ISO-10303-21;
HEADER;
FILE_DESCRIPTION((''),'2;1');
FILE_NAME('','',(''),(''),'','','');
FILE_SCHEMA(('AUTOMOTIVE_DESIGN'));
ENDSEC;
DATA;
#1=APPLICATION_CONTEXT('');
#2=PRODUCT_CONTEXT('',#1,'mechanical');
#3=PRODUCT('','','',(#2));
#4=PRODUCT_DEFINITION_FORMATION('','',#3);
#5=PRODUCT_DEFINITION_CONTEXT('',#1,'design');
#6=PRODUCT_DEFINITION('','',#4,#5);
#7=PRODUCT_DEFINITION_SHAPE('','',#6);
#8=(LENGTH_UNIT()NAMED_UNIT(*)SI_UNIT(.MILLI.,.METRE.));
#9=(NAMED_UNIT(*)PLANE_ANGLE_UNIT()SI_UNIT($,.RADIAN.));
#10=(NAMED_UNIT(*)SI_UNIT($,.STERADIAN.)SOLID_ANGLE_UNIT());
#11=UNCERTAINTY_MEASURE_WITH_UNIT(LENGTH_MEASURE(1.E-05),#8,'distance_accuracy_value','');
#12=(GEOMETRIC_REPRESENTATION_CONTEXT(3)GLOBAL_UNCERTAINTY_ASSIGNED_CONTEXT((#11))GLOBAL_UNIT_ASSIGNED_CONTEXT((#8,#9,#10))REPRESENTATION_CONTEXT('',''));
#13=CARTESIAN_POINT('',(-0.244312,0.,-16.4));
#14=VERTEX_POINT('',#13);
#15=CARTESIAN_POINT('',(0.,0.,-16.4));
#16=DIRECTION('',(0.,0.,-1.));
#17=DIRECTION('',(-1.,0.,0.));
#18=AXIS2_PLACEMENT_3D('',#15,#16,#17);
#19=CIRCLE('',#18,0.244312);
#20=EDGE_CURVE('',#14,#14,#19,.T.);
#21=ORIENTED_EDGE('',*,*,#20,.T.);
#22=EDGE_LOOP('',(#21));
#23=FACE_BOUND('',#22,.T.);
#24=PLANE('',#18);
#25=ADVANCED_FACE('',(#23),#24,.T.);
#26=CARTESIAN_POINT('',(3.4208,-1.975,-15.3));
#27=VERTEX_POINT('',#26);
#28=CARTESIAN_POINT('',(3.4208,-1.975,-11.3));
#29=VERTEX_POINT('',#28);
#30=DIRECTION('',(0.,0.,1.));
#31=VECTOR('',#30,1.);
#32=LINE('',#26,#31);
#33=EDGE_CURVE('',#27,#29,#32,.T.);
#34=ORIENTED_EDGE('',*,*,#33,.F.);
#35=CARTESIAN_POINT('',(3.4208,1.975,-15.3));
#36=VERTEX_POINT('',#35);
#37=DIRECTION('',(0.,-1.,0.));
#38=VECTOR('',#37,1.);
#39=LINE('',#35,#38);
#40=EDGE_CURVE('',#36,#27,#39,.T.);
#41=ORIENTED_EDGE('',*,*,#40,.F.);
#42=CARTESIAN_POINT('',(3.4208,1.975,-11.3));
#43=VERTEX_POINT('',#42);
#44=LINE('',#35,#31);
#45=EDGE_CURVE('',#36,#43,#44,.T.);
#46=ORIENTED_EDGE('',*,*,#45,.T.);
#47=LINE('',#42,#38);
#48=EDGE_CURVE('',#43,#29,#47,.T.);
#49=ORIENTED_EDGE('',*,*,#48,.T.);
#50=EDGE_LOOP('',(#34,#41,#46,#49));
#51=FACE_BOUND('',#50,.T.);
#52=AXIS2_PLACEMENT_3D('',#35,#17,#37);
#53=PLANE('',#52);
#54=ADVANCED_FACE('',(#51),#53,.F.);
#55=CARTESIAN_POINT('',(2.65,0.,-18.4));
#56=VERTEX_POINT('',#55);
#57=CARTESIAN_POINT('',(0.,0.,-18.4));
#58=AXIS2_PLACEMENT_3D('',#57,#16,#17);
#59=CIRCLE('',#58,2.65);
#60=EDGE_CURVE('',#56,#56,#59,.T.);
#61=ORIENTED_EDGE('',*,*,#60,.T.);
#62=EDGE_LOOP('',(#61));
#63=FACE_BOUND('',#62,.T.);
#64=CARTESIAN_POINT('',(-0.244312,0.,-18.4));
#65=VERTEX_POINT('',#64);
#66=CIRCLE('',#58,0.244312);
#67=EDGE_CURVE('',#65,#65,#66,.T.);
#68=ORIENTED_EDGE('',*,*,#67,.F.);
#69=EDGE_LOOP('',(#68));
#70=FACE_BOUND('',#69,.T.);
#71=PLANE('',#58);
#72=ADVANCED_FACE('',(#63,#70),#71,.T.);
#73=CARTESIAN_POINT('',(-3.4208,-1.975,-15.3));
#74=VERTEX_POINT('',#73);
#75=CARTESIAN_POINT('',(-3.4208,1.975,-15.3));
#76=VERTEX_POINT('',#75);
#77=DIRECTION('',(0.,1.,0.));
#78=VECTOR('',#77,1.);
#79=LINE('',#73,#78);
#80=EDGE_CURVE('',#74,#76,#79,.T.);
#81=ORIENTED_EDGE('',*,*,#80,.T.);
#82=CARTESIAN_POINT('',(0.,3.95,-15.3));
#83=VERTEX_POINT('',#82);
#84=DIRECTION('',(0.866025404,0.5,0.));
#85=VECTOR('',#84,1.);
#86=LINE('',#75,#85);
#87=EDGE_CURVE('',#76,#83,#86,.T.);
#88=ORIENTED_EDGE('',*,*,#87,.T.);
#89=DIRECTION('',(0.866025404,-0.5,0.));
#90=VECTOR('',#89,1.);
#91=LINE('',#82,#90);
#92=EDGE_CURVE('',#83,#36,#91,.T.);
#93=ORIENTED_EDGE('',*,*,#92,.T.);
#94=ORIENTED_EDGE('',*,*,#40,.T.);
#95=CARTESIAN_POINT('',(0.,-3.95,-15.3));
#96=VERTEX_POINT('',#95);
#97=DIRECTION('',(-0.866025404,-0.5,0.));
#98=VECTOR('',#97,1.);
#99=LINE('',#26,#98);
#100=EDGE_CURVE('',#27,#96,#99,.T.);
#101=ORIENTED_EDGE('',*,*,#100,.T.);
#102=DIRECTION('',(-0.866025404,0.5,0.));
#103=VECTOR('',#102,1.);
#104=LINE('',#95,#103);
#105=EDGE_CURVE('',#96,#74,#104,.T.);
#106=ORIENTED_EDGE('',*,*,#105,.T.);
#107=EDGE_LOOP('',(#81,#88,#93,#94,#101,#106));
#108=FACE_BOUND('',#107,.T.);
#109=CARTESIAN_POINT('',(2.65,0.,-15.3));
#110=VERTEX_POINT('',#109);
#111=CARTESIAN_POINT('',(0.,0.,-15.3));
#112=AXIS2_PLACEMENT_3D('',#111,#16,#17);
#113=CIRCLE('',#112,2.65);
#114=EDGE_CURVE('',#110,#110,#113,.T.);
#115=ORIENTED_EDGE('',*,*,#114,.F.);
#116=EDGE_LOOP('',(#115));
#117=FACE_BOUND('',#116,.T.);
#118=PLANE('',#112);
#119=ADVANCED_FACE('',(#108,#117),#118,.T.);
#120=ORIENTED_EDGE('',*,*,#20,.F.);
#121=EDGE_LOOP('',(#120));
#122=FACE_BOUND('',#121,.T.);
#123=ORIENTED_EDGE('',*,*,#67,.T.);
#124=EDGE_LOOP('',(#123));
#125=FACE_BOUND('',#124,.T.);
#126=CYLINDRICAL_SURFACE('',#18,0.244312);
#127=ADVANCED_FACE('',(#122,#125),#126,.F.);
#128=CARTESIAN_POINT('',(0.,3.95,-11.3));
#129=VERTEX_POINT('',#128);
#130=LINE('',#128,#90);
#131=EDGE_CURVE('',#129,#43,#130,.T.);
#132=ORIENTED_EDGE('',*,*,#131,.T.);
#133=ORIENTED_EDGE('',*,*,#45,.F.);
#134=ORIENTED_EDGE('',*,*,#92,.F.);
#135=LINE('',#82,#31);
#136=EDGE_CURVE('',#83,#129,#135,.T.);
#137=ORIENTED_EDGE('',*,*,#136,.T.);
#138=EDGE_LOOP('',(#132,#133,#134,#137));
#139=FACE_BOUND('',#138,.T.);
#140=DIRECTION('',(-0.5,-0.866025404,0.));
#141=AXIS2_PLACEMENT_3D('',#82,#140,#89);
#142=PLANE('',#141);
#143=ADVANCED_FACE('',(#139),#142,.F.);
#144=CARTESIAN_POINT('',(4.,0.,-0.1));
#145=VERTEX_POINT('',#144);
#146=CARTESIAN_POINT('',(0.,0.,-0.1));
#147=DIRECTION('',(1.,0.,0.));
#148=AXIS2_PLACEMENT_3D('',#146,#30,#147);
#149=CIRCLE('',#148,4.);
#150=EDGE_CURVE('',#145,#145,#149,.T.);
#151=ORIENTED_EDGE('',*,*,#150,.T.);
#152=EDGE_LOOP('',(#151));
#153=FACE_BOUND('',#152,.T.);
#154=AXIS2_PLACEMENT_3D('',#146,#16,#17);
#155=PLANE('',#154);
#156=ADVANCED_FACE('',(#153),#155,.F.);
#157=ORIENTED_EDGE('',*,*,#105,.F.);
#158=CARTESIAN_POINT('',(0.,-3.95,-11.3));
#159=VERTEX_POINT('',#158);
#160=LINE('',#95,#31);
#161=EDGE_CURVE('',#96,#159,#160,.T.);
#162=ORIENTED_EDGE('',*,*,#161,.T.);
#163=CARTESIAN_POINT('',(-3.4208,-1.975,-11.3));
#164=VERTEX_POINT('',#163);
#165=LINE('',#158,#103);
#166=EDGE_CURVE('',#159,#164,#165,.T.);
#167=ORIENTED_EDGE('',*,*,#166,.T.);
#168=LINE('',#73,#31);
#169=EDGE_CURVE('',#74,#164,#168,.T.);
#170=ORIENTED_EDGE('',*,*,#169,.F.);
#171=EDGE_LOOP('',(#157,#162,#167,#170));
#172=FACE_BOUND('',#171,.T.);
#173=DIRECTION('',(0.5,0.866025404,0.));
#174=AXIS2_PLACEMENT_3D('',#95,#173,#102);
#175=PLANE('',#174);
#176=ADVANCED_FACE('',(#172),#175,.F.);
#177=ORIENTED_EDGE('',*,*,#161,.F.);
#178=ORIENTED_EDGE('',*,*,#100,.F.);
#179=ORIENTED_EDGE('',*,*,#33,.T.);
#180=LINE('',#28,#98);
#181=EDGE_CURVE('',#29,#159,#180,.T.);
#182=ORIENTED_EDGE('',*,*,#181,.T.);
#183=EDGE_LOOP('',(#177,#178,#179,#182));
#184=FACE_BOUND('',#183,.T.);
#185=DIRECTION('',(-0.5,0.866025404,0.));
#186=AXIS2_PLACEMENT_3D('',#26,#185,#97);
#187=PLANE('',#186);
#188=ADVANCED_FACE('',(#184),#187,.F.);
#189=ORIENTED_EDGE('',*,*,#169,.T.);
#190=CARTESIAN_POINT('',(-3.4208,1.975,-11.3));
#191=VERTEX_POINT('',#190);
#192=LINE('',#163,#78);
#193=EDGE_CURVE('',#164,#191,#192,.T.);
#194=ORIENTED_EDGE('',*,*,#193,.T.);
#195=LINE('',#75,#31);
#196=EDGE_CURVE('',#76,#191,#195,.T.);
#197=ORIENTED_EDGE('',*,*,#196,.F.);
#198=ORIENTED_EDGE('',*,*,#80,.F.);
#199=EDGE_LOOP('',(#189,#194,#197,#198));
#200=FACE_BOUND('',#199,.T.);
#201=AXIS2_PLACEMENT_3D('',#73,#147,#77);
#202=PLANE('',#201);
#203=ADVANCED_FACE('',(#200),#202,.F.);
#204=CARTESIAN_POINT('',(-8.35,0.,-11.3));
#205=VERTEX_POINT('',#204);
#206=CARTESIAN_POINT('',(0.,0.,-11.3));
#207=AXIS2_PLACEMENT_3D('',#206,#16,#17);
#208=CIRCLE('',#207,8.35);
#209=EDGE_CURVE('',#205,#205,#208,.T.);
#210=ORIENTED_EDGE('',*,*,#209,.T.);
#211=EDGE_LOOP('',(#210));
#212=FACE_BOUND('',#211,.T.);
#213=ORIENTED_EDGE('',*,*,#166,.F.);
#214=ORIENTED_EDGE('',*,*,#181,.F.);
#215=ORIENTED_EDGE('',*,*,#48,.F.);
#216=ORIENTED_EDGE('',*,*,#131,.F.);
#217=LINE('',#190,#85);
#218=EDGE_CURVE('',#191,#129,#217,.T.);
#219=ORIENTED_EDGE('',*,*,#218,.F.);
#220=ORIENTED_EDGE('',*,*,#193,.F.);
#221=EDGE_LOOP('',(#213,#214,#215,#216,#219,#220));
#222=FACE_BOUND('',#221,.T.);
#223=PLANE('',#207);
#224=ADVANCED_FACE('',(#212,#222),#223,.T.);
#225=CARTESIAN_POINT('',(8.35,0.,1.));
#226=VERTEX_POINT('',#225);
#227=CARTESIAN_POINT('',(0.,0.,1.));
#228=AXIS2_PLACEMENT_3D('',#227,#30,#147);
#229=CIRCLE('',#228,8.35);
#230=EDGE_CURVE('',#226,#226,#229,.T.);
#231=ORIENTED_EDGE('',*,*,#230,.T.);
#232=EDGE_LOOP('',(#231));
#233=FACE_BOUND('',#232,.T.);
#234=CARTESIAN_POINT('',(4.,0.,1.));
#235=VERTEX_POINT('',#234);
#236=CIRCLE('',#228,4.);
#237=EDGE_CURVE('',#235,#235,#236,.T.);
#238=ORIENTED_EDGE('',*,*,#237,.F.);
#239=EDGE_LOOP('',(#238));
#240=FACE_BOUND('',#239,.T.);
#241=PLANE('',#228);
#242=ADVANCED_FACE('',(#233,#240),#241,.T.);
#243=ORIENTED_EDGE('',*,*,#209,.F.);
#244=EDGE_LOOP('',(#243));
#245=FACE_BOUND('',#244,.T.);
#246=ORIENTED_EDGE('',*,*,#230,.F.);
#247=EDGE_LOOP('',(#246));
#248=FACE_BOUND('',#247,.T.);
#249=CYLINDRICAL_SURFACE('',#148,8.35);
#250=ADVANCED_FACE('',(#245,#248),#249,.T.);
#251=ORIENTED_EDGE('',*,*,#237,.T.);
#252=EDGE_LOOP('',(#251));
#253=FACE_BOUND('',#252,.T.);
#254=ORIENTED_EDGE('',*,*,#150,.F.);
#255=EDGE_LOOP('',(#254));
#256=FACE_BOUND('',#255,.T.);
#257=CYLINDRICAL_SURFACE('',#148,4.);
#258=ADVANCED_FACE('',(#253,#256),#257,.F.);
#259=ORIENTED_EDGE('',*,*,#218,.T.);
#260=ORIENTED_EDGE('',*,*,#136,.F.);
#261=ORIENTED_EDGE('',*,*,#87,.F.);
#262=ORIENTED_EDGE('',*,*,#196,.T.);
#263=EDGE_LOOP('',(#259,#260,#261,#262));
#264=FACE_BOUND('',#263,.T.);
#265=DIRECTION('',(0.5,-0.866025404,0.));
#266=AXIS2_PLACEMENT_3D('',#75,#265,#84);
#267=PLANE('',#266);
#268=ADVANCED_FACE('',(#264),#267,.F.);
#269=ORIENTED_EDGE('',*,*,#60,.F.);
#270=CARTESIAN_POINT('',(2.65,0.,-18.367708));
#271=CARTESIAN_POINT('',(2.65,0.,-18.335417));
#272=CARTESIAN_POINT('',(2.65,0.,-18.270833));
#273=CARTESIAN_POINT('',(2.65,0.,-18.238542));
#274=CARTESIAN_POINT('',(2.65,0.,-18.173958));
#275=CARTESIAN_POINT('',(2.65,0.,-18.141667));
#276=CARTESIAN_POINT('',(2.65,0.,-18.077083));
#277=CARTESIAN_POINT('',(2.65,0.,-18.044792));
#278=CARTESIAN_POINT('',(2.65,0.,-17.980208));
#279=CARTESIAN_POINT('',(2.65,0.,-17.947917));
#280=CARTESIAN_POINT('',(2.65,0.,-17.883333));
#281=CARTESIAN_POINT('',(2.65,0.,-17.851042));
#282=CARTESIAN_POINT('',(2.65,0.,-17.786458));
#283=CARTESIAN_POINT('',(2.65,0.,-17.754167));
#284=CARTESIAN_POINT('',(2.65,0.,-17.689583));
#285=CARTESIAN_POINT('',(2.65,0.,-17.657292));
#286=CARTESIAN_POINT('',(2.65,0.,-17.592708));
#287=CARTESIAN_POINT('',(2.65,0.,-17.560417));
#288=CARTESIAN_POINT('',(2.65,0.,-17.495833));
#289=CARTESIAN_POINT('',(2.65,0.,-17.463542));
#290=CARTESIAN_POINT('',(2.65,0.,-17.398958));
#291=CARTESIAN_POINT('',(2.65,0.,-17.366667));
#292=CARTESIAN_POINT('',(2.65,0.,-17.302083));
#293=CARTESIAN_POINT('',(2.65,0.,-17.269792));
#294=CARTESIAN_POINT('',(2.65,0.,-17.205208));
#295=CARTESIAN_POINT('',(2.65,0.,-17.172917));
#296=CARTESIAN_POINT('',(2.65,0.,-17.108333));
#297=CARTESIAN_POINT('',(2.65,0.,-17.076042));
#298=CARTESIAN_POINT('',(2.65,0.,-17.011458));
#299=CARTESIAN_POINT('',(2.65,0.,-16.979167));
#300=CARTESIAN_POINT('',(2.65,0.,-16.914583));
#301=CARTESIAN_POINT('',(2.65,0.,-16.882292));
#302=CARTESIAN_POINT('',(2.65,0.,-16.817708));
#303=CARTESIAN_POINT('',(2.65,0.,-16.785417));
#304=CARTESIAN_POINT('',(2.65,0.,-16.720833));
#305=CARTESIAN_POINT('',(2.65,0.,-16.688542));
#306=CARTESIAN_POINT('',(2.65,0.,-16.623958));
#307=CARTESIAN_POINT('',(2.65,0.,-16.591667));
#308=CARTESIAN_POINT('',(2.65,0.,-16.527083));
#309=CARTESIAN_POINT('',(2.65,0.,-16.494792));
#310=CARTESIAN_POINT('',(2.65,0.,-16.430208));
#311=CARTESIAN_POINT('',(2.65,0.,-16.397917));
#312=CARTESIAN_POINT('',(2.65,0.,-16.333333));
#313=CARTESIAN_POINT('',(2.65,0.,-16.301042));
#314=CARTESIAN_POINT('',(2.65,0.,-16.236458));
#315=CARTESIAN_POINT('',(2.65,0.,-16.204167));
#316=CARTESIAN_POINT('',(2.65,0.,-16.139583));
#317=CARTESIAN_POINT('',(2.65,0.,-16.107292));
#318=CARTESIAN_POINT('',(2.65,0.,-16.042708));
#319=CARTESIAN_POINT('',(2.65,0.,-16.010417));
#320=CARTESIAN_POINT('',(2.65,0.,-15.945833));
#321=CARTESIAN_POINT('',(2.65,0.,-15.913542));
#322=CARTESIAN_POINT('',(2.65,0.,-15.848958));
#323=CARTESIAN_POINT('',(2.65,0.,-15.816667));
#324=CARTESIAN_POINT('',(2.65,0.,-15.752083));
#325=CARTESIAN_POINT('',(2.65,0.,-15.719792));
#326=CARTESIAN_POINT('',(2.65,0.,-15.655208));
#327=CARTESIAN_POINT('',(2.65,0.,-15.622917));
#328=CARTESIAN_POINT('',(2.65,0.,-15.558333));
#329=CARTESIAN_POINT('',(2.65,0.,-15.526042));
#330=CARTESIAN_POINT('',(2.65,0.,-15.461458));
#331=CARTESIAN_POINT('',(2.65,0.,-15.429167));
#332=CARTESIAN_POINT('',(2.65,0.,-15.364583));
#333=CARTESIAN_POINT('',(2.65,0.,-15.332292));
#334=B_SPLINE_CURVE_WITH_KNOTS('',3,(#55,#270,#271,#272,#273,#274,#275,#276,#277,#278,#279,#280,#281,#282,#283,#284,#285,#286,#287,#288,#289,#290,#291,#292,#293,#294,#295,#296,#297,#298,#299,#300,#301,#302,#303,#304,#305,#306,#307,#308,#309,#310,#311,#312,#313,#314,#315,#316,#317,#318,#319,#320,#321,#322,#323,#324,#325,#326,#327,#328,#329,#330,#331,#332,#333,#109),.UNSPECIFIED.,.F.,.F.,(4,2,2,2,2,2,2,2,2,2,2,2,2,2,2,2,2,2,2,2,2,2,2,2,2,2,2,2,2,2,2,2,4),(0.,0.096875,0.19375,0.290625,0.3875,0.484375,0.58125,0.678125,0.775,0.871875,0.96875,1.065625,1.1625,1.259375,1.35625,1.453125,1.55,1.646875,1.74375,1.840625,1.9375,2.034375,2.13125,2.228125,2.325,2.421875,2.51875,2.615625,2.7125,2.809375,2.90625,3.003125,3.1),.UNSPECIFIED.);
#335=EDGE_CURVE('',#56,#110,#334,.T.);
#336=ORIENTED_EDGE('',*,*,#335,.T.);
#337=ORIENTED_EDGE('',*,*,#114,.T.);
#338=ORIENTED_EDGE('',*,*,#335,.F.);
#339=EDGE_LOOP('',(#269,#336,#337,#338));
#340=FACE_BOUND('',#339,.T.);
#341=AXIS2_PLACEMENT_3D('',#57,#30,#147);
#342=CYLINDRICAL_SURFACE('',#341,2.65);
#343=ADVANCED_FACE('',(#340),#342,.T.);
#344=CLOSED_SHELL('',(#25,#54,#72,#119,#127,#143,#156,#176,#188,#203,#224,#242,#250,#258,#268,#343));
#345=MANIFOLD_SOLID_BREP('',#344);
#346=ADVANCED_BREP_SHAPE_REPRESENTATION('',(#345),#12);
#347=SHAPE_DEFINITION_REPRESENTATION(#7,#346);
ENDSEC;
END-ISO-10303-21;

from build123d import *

# Parameters (mm, degrees)
BOSS_EXTRUDE1_DEPTH      = 1
BOSS_EXTRUDE1_DEPTH_BACK = 0.1
SKETCH3_R                = 8.35
SKETCH3_R_2              = 4
SKETCH4_R                = 8.35
BOSS_EXTRUDE2_DEPTH      = 11.2
BOSS_EXTRUDE4_DEPTH      = 4
SKETCH6_R                = 2.65
BOSS_EXTRUDE5_DEPTH      = 3.1
SKETCH7_R                = 0.244312337
CUT_EXTRUDE1_DEPTH       = 2


with BuildPart() as part:
    # Sketch3 → Boss-Extrude1 (new, two sides: drawn at the far end of the back side and taken through both)
    with BuildSketch(Plane.XY.offset(-BOSS_EXTRUDE1_DEPTH_BACK)):
        Circle(SKETCH3_R)
        Circle(SKETCH3_R_2, mode=Mode.SUBTRACT)
    extrude(amount=BOSS_EXTRUDE1_DEPTH + BOSS_EXTRUDE1_DEPTH_BACK)

    # Sketch4 → Boss-Extrude2 (add)
    with BuildSketch(Plane(origin=(0, 0, -0.1), x_dir=(-1, 0, 0), z_dir=(0, 0, -1))):
        with Locations(Location((0, 0, 0), (0, 0, 180))):
            Circle(SKETCH4_R)
    extrude(amount=BOSS_EXTRUDE2_DEPTH)

    # Sketch5 → Boss-Extrude4 (add)
    with BuildSketch(Plane(origin=(0, 0, -11.3), x_dir=(-1, 0, 0), z_dir=(0, 0, -1))):
        Polygon((0, 3.95), (-3.420800345, 1.975), (-3.420800345, -1.975), (0, -3.95), (3.420800345, -1.975), (3.420800345, 1.975), align=None)
    extrude(amount=BOSS_EXTRUDE4_DEPTH)

    # Sketch6 → Boss-Extrude5 (add)
    with BuildSketch(Plane(origin=(0, 0, -15.3), x_dir=(-1, 0, 0), z_dir=(0, 0, -1))):
        with Locations(Location((0, 0, 0), (0, 0, 180))):
            Circle(SKETCH6_R)
    extrude(amount=BOSS_EXTRUDE5_DEPTH)

    # Sketch7 → Cut-Extrude1 (cut)
    with BuildSketch(Plane(origin=(0, 0, -18.4), x_dir=(-1, 0, 0), z_dir=(0, 0, -1))):
        Circle(SKETCH7_R)
    extrude(amount=-CUT_EXTRUDE1_DEPTH, mode=Mode.SUBTRACT)


solid = part.part
